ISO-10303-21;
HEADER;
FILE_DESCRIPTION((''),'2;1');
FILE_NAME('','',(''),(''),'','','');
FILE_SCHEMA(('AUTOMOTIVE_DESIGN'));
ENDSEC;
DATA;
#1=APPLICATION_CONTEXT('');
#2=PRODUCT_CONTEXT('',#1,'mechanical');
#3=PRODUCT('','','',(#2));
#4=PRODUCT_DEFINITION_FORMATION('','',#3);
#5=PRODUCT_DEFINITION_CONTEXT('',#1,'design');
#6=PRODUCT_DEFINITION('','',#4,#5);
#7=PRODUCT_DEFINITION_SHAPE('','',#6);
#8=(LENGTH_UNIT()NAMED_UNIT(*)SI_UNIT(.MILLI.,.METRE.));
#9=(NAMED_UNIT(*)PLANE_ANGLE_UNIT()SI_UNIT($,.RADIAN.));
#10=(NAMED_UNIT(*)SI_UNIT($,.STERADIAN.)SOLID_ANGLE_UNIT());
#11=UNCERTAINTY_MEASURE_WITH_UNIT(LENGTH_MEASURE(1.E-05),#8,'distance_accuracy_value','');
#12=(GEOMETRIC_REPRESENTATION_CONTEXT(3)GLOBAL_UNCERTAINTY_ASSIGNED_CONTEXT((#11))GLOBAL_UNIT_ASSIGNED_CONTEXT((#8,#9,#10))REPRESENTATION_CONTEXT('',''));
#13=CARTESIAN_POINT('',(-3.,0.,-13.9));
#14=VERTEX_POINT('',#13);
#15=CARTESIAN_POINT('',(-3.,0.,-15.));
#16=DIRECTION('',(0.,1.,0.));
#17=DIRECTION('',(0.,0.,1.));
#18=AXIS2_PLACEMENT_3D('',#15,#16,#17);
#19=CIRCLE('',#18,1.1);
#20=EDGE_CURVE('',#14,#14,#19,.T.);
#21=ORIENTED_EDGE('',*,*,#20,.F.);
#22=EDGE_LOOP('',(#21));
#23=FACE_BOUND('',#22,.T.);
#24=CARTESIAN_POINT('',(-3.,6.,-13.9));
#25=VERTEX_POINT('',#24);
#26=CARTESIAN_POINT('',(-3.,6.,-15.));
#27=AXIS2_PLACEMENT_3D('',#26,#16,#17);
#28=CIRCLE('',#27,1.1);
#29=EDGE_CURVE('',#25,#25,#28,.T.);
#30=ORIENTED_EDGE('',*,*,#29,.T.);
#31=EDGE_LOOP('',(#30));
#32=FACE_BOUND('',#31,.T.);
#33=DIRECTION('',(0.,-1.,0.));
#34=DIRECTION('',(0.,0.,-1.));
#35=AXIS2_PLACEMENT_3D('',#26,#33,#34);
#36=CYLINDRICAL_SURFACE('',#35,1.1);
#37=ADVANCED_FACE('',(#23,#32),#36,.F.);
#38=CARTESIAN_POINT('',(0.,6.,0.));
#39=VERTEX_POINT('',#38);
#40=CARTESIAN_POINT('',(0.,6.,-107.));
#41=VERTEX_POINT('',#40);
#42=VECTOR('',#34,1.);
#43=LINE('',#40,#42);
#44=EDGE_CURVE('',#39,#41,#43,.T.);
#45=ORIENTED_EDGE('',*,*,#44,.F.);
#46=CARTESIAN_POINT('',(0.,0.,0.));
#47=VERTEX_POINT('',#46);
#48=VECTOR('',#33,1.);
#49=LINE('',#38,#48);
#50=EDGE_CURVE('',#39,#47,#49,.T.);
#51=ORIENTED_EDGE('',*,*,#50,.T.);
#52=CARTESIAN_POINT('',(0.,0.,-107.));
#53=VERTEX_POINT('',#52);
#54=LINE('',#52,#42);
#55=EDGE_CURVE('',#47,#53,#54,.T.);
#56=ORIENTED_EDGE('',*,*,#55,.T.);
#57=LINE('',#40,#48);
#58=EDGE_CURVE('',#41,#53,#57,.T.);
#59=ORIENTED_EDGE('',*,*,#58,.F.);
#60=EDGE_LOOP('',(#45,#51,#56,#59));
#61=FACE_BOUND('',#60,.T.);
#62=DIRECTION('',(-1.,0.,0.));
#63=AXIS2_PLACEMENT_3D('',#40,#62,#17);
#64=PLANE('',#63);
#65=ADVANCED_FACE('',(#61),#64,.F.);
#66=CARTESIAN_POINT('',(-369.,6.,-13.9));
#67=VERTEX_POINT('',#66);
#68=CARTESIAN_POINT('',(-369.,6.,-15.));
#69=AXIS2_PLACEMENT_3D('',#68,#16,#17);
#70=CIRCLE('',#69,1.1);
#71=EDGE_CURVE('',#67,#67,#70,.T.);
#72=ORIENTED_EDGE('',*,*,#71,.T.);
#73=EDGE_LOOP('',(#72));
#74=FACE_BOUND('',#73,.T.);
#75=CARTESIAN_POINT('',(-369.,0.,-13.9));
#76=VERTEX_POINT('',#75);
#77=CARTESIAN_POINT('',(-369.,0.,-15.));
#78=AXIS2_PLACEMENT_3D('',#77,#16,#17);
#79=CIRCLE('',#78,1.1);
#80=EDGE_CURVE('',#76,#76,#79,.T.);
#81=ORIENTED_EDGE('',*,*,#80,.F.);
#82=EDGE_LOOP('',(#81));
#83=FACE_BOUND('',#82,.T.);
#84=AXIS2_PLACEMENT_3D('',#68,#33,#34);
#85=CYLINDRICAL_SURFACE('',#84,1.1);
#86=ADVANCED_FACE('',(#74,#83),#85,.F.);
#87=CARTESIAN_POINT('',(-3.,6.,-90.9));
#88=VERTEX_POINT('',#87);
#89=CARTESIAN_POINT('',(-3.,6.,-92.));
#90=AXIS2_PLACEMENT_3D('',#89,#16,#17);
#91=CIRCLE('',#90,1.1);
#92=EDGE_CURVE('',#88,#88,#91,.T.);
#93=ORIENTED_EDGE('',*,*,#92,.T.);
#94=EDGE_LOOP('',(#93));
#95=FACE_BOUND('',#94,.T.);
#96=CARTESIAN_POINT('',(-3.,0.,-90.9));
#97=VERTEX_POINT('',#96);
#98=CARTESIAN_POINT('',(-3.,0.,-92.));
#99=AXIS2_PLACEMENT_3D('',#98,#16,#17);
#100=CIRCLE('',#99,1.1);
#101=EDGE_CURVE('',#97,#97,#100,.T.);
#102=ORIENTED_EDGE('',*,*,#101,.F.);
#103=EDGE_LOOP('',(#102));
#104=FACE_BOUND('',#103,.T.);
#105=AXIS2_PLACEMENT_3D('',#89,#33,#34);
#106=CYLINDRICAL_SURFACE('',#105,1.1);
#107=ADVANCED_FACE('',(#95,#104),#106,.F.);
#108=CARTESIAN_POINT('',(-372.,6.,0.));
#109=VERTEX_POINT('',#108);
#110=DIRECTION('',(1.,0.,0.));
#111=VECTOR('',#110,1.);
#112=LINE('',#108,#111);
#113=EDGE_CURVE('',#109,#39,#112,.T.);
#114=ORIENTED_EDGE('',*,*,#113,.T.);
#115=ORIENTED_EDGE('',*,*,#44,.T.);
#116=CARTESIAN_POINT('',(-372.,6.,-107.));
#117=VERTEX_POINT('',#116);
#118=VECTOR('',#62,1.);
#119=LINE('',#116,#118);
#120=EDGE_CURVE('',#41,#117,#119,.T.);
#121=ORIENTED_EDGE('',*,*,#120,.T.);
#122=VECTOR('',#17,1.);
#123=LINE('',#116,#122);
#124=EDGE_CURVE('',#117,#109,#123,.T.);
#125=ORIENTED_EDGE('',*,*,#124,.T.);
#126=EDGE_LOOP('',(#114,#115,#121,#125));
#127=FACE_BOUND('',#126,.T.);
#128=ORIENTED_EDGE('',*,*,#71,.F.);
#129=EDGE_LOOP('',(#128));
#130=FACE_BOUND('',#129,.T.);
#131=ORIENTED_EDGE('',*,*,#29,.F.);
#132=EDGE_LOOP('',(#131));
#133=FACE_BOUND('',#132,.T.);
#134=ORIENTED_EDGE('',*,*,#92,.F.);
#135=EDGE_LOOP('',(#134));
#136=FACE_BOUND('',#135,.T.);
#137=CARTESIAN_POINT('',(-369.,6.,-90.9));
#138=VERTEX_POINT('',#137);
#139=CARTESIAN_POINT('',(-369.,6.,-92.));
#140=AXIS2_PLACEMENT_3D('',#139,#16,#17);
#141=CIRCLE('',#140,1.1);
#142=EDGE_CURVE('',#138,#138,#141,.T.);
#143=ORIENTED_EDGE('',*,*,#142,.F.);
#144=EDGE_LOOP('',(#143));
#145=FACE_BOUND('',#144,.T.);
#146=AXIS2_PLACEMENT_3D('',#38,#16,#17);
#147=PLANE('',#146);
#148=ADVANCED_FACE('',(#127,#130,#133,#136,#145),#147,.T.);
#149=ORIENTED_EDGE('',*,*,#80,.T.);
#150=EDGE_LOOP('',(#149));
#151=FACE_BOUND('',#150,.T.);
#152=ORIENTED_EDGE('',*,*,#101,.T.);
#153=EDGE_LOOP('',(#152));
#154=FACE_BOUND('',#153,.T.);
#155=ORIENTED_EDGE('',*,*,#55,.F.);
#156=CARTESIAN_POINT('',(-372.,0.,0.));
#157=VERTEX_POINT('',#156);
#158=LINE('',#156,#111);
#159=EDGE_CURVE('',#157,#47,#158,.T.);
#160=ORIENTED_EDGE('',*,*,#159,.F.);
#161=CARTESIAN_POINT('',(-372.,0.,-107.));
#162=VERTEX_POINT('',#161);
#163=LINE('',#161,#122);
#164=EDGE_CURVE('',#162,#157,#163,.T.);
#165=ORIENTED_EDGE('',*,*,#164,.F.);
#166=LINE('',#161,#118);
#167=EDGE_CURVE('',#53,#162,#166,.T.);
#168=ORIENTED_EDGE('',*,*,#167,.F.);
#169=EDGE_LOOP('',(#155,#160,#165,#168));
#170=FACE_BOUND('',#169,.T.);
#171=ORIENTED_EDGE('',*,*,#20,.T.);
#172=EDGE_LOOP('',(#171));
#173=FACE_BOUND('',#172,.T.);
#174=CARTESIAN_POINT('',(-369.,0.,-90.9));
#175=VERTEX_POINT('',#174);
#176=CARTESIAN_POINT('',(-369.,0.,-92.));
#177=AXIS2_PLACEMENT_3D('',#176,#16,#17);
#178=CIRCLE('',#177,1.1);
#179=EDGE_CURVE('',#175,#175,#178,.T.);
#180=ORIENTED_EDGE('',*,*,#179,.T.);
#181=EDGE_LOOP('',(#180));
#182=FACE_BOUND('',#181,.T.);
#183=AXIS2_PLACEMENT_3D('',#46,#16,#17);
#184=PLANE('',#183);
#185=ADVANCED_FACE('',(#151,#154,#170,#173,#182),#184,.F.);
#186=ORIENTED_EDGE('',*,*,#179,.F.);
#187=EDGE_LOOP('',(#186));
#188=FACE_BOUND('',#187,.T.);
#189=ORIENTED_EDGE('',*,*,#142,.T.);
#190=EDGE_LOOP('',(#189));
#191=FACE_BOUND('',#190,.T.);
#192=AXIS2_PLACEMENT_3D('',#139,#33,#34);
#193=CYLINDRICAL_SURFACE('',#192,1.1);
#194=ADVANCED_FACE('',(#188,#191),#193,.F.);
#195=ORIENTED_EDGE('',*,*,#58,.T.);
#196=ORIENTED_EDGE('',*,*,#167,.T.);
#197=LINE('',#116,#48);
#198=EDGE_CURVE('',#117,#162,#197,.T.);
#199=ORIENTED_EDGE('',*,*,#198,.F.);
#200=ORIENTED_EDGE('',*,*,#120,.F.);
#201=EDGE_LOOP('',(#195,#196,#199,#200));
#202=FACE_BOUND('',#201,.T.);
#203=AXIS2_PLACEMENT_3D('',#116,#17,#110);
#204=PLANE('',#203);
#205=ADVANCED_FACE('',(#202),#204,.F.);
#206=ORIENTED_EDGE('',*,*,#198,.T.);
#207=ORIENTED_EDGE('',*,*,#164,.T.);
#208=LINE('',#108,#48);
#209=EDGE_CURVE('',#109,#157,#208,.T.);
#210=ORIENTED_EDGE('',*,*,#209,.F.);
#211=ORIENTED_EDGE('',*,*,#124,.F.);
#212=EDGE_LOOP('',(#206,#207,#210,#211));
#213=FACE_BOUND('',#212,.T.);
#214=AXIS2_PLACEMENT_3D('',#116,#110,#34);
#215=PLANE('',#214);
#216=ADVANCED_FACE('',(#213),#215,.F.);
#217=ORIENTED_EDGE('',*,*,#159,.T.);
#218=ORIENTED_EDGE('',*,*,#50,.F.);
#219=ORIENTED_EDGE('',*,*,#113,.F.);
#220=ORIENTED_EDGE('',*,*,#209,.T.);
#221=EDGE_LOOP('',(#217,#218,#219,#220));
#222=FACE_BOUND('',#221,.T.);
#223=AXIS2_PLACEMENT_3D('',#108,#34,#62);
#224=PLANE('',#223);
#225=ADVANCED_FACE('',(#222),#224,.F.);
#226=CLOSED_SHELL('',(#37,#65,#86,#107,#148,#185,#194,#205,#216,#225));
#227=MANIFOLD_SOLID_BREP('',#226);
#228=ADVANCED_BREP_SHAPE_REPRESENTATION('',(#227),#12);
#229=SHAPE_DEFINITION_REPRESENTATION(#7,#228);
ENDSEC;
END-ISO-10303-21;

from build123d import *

# Parameters (mm, degrees)
SKETCH_1_W      = 372
SKETCH_1_H      = 107
SKETCH_1_R      = 1.1
EXTRUDE_1_DEPTH = 6


with BuildPart() as part:
    # Эскиз1 → Бобышка-Вытянуть1 (new body)
    with BuildSketch(Plane(origin=(0, 0, 0), x_dir=(1, 0, 0), z_dir=(0, 1, 0))):
        with Locations((-186, 53.5)):
            Rectangle(SKETCH_1_W, SKETCH_1_H)
        with Locations(Location((-369, 92, 0), (0, 0, 270))):
            Circle(SKETCH_1_R, mode=Mode.SUBTRACT)
        with Locations(Location((-369, 15, 0), (0, 0, 270))):
            Circle(SKETCH_1_R, mode=Mode.SUBTRACT)
        with Locations(Location((-3, 92, 0), (0, 0, 270))):
            Circle(SKETCH_1_R, mode=Mode.SUBTRACT)
        with Locations(Location((-3, 15, 0), (0, 0, 270))):
            Circle(SKETCH_1_R, mode=Mode.SUBTRACT)
    extrude(amount=EXTRUDE_1_DEPTH)


solid = part.part
